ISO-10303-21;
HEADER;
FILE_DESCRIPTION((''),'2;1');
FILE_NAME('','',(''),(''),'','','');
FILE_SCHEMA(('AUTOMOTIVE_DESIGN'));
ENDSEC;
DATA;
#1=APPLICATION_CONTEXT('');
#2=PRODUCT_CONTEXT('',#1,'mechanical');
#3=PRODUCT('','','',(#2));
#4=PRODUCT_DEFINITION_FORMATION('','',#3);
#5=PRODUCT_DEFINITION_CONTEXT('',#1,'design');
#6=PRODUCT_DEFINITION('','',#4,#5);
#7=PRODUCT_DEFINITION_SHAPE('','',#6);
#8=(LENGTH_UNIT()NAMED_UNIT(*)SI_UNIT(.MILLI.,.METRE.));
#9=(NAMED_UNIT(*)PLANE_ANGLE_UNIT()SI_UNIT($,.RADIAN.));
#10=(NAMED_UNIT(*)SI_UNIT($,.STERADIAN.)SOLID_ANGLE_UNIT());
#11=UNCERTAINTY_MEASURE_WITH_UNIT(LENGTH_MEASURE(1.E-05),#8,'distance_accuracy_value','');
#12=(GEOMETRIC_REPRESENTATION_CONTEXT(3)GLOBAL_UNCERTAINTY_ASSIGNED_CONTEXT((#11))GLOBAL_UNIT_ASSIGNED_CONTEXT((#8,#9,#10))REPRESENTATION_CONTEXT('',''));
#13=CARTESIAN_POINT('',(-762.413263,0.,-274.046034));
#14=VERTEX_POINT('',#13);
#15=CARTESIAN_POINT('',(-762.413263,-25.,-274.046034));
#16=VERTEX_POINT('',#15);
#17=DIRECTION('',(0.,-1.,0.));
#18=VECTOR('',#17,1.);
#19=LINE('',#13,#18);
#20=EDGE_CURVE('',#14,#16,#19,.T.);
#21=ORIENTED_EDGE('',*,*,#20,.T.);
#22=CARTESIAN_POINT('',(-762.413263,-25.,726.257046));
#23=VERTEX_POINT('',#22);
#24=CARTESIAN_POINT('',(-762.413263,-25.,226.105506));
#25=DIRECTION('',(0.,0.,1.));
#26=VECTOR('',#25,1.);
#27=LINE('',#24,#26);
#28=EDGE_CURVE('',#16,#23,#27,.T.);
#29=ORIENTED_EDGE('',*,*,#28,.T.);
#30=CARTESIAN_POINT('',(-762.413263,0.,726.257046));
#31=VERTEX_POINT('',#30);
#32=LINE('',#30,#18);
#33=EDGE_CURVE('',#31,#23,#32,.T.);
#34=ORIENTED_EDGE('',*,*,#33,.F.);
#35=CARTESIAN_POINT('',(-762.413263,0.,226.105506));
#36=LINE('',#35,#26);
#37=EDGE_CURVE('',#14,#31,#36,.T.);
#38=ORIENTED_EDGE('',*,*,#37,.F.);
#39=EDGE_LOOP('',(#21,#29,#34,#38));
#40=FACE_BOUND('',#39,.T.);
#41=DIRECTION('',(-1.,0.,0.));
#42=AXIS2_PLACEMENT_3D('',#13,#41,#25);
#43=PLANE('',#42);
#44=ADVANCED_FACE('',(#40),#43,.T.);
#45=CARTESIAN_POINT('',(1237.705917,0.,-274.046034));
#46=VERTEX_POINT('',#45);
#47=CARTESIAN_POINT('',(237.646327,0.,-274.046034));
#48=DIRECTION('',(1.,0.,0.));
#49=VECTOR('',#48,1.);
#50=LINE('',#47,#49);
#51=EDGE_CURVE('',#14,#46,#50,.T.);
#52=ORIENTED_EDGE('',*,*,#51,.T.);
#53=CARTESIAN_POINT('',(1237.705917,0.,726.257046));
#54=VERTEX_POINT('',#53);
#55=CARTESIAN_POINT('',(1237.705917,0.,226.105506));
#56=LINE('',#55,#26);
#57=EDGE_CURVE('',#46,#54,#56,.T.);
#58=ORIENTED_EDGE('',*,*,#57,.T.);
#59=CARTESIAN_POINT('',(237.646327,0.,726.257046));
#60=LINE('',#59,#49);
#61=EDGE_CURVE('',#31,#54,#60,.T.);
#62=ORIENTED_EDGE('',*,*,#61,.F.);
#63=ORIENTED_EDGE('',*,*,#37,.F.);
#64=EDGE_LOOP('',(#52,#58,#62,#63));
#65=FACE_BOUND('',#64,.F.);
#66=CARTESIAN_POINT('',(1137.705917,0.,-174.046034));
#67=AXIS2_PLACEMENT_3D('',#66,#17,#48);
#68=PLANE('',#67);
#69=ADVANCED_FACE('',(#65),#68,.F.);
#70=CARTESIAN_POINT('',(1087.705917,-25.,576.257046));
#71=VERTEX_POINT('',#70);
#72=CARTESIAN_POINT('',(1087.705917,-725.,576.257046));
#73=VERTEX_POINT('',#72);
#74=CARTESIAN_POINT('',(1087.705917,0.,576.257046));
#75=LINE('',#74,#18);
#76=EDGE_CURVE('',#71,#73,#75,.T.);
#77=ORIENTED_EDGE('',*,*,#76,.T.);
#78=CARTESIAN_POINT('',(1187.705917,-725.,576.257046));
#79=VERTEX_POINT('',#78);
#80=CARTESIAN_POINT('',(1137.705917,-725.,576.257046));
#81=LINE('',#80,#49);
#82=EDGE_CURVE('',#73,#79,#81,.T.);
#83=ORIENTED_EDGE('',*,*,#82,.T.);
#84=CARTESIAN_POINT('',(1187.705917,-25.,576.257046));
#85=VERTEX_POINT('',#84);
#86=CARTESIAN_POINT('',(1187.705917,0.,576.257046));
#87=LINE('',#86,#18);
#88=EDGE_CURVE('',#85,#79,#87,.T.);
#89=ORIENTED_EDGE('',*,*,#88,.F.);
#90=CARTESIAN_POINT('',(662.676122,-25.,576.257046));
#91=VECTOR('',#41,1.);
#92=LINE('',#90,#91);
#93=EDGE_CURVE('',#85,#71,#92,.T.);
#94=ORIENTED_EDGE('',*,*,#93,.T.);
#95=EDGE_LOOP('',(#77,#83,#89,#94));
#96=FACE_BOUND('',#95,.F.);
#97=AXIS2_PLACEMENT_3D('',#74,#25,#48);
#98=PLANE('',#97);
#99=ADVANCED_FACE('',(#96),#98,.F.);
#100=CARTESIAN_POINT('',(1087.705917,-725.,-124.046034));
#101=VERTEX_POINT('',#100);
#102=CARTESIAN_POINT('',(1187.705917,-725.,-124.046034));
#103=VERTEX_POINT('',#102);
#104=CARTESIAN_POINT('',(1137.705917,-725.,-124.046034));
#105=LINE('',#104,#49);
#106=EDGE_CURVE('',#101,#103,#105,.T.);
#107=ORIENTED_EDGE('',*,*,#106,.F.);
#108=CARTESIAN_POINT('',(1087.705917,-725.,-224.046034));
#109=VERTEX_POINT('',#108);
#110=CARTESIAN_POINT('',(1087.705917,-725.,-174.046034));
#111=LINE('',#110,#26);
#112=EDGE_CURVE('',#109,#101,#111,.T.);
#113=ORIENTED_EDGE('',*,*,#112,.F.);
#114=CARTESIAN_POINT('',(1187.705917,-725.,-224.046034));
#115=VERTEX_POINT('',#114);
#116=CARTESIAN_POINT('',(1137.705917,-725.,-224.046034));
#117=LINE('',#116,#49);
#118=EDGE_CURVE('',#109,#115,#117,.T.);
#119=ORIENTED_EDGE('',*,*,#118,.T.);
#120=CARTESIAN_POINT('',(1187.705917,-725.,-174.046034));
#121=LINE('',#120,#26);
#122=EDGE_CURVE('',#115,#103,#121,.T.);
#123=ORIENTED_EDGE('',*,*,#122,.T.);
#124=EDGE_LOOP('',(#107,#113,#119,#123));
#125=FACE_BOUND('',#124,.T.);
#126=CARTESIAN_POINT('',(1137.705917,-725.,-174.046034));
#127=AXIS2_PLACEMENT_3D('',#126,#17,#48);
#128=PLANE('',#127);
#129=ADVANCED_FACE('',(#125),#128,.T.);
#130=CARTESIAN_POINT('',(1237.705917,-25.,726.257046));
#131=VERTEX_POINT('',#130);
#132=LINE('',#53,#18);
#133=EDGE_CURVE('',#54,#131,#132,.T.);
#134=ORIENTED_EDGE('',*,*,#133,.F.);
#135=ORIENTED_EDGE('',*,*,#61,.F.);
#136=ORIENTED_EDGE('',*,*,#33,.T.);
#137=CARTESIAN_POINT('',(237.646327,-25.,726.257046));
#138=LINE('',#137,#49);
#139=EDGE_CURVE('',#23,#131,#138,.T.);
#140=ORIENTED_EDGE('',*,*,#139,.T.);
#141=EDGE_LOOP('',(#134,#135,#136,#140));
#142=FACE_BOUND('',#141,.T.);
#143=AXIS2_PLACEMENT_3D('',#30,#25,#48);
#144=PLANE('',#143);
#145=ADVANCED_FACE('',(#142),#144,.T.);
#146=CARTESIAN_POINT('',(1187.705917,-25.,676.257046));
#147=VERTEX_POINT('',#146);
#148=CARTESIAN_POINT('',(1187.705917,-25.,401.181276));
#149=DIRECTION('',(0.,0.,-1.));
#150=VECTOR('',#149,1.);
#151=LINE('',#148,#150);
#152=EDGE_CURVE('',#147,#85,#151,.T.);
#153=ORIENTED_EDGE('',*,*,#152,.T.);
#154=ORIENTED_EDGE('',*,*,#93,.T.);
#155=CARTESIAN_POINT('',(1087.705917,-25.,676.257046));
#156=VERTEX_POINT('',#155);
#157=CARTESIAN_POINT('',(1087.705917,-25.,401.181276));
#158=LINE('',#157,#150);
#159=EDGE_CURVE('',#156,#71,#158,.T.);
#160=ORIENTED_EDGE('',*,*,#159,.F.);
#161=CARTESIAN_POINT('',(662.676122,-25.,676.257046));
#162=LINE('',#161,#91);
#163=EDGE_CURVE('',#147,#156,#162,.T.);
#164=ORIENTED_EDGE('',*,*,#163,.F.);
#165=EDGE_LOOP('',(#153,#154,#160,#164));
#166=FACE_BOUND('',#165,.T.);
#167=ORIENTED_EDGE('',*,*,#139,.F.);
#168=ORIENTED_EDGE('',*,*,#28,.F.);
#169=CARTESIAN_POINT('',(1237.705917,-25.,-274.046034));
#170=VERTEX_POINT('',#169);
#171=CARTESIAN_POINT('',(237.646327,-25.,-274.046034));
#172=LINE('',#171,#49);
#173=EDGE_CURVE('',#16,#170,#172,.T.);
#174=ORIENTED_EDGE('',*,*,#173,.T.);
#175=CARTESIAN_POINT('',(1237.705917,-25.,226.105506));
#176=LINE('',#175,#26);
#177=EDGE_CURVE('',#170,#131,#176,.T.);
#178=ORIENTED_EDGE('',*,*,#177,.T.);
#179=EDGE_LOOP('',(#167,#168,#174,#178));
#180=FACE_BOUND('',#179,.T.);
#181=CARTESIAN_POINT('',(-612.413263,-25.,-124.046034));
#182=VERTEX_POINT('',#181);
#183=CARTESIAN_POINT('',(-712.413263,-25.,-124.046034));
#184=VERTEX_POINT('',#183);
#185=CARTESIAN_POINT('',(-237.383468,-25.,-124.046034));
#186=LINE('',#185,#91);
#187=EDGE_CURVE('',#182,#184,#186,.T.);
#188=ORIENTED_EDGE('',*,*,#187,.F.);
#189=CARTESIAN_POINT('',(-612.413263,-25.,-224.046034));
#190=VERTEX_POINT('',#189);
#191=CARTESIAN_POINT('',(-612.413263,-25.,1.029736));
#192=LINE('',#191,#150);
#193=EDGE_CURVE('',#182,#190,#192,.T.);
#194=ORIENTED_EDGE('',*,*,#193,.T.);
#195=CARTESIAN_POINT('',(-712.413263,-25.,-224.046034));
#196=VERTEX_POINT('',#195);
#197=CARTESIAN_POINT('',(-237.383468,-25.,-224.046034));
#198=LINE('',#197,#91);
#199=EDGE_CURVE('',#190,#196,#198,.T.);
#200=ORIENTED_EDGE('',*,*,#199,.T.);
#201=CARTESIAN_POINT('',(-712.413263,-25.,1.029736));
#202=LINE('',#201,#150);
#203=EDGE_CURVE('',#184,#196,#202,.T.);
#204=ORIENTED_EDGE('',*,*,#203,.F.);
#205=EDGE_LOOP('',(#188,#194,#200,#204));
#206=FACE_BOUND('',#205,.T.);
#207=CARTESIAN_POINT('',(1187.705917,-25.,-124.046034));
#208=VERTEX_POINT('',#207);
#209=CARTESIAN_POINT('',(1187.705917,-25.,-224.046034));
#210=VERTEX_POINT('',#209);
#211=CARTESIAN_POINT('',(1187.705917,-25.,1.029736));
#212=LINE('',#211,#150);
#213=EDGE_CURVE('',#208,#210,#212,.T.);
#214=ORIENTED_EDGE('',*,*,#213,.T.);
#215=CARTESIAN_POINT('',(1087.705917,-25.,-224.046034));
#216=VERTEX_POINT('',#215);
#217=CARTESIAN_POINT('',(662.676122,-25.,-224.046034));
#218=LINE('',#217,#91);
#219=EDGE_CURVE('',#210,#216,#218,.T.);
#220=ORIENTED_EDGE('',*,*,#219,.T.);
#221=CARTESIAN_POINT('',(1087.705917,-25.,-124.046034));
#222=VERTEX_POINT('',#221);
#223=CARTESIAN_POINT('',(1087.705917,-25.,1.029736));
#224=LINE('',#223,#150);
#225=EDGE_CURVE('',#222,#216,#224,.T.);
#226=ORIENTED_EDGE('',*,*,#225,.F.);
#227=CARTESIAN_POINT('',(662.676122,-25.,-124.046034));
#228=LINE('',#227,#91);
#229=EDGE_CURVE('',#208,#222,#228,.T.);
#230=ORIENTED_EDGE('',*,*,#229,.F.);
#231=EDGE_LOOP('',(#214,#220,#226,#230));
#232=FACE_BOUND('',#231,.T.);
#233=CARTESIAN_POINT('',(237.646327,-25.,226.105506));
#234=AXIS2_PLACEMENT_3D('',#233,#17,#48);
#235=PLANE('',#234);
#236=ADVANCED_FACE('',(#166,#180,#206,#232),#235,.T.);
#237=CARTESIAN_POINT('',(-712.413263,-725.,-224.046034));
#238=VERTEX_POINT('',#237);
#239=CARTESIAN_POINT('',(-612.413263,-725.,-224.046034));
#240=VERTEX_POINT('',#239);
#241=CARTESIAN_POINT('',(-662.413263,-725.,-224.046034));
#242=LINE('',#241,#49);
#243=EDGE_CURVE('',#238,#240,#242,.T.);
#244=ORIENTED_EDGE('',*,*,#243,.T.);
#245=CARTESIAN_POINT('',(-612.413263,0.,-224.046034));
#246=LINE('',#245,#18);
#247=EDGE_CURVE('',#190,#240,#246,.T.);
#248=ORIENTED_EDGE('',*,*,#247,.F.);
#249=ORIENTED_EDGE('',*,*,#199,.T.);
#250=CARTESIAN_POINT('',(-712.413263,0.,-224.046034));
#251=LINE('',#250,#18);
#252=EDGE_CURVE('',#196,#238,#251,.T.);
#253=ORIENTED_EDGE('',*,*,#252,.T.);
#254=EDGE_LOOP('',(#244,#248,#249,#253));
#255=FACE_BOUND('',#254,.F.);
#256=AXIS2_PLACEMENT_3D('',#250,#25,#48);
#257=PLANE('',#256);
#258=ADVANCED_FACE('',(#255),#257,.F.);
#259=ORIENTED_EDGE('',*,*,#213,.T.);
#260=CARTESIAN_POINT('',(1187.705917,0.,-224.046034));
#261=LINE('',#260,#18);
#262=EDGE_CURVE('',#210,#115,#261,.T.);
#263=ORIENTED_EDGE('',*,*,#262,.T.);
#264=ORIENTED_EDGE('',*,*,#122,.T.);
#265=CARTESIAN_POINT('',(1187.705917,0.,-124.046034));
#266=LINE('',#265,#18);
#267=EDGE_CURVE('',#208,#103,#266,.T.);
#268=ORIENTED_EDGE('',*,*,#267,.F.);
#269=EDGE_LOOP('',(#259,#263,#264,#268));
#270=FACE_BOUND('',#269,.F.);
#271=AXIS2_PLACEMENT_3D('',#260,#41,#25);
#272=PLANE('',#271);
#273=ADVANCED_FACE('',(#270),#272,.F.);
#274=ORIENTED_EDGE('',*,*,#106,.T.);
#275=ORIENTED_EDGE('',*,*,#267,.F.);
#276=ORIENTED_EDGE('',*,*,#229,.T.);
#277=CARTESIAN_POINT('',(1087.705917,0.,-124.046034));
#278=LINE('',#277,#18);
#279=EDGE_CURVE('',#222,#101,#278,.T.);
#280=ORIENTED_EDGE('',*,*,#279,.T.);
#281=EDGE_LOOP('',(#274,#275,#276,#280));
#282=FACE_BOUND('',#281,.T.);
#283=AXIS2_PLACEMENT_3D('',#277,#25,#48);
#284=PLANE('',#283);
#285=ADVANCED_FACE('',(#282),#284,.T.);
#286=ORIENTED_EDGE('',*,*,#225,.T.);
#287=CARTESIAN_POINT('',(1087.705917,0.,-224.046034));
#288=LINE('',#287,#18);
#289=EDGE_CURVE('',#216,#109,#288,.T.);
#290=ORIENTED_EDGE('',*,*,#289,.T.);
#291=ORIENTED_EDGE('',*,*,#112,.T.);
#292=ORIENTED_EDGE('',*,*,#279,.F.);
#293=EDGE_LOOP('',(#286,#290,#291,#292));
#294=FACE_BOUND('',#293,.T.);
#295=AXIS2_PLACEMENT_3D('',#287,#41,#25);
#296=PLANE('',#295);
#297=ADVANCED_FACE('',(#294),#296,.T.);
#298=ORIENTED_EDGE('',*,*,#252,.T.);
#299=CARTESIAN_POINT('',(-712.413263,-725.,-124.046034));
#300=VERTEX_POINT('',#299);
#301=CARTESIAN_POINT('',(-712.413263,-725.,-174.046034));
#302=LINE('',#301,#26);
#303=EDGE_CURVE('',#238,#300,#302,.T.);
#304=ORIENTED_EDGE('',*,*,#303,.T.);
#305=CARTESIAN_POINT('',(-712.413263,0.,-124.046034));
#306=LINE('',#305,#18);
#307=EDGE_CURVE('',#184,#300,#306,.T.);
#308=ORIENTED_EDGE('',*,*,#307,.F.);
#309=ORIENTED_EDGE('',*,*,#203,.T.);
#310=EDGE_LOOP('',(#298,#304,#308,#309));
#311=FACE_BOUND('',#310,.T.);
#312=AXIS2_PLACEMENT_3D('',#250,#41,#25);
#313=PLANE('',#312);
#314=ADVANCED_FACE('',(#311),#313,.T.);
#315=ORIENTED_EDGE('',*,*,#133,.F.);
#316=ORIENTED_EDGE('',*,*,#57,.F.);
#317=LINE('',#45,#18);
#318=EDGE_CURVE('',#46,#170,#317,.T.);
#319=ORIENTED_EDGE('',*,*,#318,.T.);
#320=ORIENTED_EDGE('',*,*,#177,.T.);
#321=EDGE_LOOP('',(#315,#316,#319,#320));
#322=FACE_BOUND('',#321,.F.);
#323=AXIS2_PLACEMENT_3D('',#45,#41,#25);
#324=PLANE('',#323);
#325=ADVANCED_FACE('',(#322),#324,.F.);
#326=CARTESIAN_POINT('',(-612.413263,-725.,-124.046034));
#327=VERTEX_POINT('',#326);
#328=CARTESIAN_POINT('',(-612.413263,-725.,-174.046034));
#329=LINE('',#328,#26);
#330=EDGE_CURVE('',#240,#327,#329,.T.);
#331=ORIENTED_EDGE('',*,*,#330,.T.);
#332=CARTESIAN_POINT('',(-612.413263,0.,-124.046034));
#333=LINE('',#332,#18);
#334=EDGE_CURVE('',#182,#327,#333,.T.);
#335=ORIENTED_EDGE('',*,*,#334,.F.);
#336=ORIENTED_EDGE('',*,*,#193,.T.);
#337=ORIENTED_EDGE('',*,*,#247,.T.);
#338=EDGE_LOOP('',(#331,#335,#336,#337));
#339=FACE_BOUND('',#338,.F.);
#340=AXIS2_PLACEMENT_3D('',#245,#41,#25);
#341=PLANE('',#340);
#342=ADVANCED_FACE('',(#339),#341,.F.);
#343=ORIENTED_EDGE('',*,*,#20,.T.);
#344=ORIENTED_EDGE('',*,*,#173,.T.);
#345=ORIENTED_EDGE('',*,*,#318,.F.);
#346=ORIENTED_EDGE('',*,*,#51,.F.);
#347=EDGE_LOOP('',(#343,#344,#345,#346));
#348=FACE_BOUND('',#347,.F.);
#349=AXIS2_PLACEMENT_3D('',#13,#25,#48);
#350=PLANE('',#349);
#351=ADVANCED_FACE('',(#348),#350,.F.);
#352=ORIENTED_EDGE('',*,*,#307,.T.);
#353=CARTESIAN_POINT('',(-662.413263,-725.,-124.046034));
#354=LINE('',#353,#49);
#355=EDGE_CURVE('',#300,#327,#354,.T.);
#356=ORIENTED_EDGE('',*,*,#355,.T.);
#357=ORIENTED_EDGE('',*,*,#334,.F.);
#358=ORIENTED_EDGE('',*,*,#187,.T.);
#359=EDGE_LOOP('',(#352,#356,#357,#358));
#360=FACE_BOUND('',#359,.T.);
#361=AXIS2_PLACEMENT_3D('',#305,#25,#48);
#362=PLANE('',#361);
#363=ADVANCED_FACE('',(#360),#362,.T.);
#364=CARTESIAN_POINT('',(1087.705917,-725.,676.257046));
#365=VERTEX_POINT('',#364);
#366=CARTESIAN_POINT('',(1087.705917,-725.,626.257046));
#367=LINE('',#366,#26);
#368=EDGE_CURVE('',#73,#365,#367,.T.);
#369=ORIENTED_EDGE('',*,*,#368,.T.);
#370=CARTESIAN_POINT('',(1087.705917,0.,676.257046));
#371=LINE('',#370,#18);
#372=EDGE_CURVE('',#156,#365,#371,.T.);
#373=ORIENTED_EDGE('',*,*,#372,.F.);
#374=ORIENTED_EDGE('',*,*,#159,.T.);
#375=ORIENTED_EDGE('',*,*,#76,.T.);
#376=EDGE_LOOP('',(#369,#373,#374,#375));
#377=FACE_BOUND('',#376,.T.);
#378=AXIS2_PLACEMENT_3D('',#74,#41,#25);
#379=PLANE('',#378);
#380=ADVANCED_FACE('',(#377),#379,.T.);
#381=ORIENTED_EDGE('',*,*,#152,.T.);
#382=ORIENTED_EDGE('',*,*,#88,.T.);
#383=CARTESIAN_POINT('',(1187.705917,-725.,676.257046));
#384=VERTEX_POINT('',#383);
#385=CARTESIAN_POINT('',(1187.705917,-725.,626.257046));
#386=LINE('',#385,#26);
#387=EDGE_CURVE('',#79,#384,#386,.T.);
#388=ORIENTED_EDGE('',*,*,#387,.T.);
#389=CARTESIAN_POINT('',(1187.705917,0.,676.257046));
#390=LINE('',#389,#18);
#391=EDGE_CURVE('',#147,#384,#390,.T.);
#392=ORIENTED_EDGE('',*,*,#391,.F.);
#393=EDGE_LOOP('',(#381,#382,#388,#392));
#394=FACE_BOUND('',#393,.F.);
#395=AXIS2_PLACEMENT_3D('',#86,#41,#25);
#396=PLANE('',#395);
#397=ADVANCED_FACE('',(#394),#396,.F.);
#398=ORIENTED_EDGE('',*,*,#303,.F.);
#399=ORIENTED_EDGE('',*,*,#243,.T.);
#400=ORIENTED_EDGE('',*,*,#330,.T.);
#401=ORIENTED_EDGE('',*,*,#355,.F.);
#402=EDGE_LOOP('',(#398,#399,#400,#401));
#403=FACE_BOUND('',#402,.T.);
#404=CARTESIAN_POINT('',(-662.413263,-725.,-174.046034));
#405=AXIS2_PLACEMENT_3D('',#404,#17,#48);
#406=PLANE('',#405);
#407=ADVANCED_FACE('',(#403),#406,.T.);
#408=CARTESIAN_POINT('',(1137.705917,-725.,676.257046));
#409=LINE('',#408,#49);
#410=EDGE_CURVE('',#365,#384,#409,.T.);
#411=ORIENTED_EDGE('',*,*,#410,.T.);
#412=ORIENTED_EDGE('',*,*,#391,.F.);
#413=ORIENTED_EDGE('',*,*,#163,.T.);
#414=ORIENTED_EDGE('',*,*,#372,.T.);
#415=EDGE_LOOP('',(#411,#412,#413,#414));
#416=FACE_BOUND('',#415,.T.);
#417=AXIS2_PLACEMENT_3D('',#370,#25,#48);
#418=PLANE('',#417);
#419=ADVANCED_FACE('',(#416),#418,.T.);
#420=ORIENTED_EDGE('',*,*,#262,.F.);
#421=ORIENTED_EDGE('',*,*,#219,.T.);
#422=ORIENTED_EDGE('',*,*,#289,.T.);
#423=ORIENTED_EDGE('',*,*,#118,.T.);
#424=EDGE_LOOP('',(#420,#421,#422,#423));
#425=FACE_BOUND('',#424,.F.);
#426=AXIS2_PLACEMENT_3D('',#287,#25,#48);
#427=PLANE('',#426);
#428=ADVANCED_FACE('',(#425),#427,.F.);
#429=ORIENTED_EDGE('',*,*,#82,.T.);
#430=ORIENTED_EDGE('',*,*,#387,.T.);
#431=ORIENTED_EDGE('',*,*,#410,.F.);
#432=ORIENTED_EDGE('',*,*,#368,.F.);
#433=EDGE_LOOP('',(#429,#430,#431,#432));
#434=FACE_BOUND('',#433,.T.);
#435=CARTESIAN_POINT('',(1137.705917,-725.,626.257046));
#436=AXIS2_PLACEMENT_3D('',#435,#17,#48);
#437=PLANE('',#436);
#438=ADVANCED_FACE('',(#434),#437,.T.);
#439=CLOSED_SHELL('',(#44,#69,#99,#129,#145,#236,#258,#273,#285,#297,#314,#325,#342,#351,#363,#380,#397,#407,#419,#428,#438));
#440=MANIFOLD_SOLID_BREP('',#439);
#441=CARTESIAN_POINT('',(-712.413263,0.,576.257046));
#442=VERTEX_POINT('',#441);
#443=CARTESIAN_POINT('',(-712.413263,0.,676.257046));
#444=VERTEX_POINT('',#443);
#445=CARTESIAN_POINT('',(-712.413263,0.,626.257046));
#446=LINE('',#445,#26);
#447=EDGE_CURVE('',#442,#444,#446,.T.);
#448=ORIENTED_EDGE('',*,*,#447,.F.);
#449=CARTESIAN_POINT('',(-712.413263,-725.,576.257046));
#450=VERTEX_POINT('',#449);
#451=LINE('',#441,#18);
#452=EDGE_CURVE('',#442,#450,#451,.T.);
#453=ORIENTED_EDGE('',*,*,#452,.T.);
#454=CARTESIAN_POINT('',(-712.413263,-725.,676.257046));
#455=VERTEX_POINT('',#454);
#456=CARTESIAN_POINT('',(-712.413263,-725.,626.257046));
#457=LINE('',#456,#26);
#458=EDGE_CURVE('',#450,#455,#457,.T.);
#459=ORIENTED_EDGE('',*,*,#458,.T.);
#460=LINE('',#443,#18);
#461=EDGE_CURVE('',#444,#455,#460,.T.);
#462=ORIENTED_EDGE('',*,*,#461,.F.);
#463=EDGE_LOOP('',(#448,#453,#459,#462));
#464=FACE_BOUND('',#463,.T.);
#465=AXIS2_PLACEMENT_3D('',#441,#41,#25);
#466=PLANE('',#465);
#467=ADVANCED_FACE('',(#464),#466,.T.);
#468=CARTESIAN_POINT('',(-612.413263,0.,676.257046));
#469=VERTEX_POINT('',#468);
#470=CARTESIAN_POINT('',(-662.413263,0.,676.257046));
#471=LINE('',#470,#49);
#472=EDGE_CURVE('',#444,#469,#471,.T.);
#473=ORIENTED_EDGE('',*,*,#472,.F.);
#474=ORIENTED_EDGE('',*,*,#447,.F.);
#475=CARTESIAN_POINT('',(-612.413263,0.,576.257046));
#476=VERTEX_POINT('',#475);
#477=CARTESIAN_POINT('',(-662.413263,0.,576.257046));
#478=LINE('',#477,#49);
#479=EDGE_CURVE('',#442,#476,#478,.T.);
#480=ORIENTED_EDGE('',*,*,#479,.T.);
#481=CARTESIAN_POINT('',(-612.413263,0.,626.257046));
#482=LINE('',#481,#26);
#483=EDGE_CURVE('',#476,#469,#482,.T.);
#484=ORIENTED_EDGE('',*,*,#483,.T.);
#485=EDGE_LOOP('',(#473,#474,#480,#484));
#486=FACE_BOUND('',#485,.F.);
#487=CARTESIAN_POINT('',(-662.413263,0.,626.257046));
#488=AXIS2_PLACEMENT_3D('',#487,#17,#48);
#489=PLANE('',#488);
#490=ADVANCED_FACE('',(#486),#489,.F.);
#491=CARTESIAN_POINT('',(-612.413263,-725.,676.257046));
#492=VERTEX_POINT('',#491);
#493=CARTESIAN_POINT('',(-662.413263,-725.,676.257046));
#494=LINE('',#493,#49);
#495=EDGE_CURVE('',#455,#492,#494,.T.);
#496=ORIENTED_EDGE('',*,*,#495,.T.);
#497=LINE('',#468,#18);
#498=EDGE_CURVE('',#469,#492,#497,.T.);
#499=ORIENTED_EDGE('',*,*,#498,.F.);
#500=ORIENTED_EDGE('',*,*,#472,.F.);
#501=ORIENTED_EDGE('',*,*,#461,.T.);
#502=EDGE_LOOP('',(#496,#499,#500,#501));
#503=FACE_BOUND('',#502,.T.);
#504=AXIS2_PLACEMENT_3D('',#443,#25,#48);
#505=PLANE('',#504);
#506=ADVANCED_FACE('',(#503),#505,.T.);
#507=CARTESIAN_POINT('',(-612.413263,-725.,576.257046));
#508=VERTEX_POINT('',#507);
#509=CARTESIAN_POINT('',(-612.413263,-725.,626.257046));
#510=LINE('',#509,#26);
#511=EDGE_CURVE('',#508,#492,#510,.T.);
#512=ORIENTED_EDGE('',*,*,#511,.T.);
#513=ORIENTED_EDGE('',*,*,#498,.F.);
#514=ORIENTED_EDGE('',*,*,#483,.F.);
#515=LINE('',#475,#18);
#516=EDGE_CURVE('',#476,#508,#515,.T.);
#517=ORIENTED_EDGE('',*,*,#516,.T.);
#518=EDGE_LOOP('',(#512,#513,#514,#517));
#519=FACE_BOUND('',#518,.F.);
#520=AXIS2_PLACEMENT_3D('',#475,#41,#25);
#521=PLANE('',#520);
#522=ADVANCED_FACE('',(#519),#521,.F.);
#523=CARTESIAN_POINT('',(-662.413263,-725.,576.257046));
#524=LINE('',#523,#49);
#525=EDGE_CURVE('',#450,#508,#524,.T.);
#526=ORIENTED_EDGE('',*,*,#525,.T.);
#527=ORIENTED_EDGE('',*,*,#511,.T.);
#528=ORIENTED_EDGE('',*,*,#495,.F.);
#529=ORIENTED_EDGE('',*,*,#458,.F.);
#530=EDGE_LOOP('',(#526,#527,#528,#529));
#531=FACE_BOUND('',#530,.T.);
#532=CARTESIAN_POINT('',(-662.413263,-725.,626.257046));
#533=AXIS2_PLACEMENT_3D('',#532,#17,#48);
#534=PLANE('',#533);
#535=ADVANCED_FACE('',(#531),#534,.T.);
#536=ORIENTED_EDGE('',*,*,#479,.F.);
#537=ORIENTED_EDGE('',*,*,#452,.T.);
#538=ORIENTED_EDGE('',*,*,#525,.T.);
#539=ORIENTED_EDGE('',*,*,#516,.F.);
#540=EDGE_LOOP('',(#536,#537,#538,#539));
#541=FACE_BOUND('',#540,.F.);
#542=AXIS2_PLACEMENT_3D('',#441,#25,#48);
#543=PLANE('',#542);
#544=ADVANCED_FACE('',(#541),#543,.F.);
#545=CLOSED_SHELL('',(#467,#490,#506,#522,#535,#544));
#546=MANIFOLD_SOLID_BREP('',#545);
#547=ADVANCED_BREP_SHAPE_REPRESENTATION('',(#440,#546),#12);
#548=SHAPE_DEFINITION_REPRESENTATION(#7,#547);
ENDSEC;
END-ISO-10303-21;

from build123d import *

# Parameters (mm, degrees)
F0_W     = 2000.11918
F0_H     = 1000.30308
F1_DEPTH = 25
F2_W     = 100
F2_H     = 100
F3_DEPTH = 725
F4_W     = 100
F4_H     = 100
F5_DEPTH = 725
F6_W     = 100
F6_H     = 100
F7_DEPTH = 725
F8_W     = 100
F8_H     = 100
F9_DEPTH = 725


with BuildPart() as f1:
    # F0 (on Front) → F1 (new body)
    with BuildSketch(Plane.XZ):
        with Locations((237.646327, 226.105506)):
            Rectangle(F0_W, F0_H)
    extrude(amount=F1_DEPTH)

    # F2 (on Front) → F3 (join)
    with BuildSketch(Plane.XZ):
        with Locations((-662.413263, -174.046034)):
            Rectangle(F2_W, F2_H)
    extrude(amount=F3_DEPTH)

    # F4 (on Front) → F5 (join)
    with BuildSketch(Plane.XZ):
        with Locations((1137.705917, 626.257046)):
            Rectangle(F4_W, F4_H)
    extrude(amount=F5_DEPTH)

    # F8 (on Front) → F9 (join)
    with BuildSketch(Plane.XZ):
        with Locations((1137.705917, -174.046034)):
            Rectangle(F8_W, F8_H)
    extrude(amount=F9_DEPTH)


with BuildPart() as f7:
    # F6 (on Front) → F7 (new body)
    with BuildSketch(Plane.XZ):
        with Locations((-662.413263, 626.257046)):
            Rectangle(F6_W, F6_H)
    extrude(amount=F7_DEPTH)


solid = Compound([f1.part, f7.part])
